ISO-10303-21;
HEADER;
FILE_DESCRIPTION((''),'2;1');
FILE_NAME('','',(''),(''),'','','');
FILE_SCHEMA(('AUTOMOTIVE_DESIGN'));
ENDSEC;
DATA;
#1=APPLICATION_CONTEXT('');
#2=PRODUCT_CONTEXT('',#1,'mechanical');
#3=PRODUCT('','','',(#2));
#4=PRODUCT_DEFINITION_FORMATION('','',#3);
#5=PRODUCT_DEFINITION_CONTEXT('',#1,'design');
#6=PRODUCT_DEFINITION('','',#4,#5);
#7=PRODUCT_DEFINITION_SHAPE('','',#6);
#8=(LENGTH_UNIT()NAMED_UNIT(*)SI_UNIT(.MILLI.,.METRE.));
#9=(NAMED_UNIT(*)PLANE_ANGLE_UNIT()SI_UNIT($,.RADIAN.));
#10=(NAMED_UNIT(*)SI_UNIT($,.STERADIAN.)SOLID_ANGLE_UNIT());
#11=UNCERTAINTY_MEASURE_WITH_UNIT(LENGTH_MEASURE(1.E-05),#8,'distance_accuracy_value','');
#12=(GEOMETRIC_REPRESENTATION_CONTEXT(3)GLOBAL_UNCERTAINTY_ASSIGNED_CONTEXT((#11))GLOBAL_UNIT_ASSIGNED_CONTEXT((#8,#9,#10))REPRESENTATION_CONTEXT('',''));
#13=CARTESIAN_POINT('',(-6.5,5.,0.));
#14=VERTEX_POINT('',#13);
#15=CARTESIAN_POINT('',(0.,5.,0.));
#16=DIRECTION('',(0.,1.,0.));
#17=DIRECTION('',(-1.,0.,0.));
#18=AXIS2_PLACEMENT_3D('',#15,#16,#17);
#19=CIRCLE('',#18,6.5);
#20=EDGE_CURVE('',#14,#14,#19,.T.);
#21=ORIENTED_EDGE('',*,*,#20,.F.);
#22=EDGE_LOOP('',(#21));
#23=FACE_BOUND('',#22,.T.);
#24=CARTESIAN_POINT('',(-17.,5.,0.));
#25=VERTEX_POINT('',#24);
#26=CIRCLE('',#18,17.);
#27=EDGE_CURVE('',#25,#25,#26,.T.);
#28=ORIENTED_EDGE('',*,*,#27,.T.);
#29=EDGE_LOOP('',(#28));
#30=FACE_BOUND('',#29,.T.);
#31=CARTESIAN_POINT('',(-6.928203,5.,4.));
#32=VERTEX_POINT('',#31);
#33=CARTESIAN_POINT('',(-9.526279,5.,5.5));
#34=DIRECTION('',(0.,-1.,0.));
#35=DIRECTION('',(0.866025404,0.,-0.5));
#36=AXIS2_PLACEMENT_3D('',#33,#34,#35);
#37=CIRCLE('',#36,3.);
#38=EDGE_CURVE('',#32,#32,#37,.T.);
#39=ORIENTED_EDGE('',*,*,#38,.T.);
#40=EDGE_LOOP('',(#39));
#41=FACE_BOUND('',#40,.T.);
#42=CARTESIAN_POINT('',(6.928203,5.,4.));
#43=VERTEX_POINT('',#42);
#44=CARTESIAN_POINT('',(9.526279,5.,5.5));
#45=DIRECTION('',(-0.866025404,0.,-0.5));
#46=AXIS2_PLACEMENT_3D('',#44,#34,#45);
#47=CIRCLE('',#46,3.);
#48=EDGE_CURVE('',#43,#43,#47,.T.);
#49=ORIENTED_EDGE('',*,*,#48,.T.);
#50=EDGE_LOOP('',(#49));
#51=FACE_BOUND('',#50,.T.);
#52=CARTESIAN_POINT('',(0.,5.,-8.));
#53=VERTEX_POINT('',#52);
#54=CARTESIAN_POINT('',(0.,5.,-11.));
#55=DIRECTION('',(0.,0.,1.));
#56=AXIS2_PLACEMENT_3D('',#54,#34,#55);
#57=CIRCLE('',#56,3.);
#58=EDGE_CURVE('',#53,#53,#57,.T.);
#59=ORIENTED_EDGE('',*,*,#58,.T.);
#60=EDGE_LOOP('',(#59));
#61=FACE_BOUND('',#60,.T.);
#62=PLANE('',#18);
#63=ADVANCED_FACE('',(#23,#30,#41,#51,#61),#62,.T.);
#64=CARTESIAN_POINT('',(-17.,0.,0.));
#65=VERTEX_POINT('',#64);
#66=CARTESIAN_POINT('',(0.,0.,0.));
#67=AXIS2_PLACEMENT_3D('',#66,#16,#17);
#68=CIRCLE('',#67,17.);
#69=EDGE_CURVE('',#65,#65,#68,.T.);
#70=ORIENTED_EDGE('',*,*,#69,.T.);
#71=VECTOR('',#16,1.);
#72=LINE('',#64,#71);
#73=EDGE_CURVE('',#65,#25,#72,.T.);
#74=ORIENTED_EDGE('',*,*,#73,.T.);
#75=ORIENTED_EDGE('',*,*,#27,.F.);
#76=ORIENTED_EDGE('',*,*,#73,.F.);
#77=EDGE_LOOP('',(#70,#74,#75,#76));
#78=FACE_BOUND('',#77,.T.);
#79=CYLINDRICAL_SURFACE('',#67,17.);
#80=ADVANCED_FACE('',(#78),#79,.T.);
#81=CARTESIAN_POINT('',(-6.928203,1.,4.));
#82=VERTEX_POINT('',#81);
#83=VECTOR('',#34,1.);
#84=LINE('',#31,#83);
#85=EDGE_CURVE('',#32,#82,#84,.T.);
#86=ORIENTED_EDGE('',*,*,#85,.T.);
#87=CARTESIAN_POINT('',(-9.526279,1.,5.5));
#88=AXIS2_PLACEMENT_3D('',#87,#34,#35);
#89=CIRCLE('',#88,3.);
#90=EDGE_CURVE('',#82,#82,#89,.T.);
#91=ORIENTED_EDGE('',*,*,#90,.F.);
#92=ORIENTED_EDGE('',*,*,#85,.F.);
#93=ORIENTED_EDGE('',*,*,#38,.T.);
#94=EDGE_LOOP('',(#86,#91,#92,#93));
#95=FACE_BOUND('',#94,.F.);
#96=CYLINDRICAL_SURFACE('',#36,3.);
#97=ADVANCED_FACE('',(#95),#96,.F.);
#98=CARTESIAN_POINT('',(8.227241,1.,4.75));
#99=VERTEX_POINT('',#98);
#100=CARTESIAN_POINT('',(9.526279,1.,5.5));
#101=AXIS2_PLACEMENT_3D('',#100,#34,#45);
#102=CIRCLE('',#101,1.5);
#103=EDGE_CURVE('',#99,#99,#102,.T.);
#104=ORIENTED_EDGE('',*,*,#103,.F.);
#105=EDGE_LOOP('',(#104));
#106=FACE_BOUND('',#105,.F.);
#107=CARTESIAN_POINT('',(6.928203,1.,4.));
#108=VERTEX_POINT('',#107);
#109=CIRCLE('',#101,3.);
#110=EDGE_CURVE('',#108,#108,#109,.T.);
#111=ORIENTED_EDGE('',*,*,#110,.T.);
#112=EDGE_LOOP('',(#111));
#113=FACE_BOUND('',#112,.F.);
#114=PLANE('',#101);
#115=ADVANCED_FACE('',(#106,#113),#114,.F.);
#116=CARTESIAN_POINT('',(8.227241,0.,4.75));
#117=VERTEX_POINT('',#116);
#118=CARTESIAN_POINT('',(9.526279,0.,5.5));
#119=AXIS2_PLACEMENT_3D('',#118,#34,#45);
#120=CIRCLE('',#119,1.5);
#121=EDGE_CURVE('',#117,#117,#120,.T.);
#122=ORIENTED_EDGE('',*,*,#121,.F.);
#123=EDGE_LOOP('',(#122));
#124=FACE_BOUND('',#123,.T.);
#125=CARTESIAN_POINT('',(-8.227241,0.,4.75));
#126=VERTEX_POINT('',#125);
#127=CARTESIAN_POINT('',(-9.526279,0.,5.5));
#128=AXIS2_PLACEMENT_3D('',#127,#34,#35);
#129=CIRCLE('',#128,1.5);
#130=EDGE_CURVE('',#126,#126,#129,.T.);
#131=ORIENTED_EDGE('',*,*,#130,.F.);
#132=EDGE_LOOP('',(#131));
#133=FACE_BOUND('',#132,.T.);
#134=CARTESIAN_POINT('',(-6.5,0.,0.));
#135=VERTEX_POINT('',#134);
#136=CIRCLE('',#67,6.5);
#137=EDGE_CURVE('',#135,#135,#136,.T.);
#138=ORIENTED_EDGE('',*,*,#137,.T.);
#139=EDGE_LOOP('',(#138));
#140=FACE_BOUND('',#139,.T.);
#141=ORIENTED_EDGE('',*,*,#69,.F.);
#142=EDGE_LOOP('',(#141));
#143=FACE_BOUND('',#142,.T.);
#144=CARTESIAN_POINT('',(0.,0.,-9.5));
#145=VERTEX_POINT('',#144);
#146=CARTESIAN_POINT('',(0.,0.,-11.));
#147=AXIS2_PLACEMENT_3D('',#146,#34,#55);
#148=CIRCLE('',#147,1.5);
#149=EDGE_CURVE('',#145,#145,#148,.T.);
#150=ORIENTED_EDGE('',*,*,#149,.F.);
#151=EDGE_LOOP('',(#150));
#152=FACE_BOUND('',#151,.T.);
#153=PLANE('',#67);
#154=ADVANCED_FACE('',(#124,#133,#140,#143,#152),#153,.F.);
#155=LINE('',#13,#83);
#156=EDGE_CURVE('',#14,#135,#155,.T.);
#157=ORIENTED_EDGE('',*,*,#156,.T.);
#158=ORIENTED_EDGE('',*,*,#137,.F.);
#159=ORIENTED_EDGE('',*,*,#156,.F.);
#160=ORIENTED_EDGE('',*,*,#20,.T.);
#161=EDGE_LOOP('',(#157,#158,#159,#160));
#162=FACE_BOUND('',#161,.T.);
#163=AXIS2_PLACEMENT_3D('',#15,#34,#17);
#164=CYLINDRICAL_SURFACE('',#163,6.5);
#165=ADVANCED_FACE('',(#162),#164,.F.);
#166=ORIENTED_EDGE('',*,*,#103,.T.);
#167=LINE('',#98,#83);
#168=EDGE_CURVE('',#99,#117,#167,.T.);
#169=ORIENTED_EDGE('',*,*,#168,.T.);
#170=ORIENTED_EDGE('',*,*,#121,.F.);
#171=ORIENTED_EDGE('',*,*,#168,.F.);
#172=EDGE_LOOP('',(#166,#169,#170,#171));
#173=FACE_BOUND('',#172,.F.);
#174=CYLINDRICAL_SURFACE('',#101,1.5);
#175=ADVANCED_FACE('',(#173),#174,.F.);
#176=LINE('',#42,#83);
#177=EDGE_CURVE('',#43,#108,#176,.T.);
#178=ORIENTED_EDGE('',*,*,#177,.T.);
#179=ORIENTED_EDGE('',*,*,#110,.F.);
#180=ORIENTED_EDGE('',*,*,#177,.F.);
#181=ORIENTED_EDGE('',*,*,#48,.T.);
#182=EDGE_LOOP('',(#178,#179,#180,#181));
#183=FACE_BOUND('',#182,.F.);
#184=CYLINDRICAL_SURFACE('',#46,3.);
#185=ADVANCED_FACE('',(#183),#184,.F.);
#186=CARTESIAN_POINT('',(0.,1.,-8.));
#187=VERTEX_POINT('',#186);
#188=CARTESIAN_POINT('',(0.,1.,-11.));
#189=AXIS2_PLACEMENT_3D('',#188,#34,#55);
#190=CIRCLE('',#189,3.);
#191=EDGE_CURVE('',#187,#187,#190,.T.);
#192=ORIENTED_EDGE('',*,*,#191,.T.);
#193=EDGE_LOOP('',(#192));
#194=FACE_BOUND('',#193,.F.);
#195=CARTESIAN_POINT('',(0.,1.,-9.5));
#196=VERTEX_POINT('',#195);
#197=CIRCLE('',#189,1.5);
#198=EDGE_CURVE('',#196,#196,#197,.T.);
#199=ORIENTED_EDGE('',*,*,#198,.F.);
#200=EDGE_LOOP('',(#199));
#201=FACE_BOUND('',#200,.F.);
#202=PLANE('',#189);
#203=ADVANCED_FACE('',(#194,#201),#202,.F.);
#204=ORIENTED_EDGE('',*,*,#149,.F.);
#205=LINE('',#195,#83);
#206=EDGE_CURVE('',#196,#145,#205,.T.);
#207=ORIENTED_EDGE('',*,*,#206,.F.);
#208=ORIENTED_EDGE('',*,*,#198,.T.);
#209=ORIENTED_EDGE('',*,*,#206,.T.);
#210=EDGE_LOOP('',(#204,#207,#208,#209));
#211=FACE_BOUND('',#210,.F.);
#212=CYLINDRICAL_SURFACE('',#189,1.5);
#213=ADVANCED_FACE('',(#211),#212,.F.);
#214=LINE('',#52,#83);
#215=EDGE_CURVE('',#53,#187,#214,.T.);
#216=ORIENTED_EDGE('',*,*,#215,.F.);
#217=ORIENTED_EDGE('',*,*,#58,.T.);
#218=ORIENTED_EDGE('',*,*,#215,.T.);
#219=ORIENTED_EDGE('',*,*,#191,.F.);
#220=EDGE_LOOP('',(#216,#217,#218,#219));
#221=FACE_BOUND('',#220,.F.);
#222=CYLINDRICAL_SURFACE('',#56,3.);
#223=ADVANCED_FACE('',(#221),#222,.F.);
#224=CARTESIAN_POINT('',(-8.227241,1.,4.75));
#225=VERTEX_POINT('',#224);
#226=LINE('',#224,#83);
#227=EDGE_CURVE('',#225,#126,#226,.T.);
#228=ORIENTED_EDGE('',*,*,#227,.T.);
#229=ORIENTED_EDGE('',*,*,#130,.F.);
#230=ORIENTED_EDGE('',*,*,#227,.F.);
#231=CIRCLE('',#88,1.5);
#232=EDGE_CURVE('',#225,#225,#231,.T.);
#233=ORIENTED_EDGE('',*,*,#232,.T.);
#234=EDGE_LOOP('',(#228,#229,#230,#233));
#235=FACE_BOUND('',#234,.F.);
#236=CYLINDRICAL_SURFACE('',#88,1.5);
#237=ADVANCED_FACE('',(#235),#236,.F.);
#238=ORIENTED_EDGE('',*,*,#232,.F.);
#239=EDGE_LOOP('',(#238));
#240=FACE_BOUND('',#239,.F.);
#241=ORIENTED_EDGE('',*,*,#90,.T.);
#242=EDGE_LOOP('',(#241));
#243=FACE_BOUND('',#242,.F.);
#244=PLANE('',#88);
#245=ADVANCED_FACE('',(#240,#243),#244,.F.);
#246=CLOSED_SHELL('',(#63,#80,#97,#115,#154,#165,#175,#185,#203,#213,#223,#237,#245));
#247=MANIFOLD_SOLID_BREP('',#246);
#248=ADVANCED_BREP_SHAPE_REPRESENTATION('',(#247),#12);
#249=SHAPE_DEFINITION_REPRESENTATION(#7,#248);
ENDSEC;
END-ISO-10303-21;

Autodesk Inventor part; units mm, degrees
ref_plane "YZ Plane" through (0, 0, 0) normal (1, 0, 0) x (0, 1, 0)
ref_plane "XZ Plane" through (0, 0, 0) normal (0, 1, 0) x (-1, 0, 0)
ref_plane "XY Plane" through (0, 0, 0) normal (0, 0, 1) x (1, 0, 0)
sketch "Sketch1" plane through (0, 0, 0) normal (0, 0, 1) x (1, 0, 0)
  line L0 (-6.5, 0) -> (-17, 0)
  line L1 (-17, 0) -> (-17, 5)
  line L2 (-17, 5) -> (-6.5, 5)
  line L3 (-6.5, 5) -> (-6.5, 0)
  line L4 (0, -1) -> (0, 6) projected
  point P0 (0, 0)
  dimension "d0" = 17
  dimension "d1" = 6.5
  dimension "d2" = 5
revolve "Revolution1" add sketch "Sketch1" angle 360 about axis through (0, -10, 0) along (0, 1, 0)
sketch "Sketch3" plane through (0, 5, 0) normal (0, 1, 0) x (1, 0, 0)
  point P0 (0, 0)
  point P1 (0, 11)
  dimension "d16" = 11
hole "Hole2" at (0, 5, -11) direction (0, -1, 0) diameter 3 end through all counterbore diameter 6 counterbore depth 4
pattern_circular "Circular Pattern1" count 3 over 360 about axis through (0, 2.5, 0) along (0, 1, 0) of "Hole2"
properties part number "Insert_Top" material "Brass"
